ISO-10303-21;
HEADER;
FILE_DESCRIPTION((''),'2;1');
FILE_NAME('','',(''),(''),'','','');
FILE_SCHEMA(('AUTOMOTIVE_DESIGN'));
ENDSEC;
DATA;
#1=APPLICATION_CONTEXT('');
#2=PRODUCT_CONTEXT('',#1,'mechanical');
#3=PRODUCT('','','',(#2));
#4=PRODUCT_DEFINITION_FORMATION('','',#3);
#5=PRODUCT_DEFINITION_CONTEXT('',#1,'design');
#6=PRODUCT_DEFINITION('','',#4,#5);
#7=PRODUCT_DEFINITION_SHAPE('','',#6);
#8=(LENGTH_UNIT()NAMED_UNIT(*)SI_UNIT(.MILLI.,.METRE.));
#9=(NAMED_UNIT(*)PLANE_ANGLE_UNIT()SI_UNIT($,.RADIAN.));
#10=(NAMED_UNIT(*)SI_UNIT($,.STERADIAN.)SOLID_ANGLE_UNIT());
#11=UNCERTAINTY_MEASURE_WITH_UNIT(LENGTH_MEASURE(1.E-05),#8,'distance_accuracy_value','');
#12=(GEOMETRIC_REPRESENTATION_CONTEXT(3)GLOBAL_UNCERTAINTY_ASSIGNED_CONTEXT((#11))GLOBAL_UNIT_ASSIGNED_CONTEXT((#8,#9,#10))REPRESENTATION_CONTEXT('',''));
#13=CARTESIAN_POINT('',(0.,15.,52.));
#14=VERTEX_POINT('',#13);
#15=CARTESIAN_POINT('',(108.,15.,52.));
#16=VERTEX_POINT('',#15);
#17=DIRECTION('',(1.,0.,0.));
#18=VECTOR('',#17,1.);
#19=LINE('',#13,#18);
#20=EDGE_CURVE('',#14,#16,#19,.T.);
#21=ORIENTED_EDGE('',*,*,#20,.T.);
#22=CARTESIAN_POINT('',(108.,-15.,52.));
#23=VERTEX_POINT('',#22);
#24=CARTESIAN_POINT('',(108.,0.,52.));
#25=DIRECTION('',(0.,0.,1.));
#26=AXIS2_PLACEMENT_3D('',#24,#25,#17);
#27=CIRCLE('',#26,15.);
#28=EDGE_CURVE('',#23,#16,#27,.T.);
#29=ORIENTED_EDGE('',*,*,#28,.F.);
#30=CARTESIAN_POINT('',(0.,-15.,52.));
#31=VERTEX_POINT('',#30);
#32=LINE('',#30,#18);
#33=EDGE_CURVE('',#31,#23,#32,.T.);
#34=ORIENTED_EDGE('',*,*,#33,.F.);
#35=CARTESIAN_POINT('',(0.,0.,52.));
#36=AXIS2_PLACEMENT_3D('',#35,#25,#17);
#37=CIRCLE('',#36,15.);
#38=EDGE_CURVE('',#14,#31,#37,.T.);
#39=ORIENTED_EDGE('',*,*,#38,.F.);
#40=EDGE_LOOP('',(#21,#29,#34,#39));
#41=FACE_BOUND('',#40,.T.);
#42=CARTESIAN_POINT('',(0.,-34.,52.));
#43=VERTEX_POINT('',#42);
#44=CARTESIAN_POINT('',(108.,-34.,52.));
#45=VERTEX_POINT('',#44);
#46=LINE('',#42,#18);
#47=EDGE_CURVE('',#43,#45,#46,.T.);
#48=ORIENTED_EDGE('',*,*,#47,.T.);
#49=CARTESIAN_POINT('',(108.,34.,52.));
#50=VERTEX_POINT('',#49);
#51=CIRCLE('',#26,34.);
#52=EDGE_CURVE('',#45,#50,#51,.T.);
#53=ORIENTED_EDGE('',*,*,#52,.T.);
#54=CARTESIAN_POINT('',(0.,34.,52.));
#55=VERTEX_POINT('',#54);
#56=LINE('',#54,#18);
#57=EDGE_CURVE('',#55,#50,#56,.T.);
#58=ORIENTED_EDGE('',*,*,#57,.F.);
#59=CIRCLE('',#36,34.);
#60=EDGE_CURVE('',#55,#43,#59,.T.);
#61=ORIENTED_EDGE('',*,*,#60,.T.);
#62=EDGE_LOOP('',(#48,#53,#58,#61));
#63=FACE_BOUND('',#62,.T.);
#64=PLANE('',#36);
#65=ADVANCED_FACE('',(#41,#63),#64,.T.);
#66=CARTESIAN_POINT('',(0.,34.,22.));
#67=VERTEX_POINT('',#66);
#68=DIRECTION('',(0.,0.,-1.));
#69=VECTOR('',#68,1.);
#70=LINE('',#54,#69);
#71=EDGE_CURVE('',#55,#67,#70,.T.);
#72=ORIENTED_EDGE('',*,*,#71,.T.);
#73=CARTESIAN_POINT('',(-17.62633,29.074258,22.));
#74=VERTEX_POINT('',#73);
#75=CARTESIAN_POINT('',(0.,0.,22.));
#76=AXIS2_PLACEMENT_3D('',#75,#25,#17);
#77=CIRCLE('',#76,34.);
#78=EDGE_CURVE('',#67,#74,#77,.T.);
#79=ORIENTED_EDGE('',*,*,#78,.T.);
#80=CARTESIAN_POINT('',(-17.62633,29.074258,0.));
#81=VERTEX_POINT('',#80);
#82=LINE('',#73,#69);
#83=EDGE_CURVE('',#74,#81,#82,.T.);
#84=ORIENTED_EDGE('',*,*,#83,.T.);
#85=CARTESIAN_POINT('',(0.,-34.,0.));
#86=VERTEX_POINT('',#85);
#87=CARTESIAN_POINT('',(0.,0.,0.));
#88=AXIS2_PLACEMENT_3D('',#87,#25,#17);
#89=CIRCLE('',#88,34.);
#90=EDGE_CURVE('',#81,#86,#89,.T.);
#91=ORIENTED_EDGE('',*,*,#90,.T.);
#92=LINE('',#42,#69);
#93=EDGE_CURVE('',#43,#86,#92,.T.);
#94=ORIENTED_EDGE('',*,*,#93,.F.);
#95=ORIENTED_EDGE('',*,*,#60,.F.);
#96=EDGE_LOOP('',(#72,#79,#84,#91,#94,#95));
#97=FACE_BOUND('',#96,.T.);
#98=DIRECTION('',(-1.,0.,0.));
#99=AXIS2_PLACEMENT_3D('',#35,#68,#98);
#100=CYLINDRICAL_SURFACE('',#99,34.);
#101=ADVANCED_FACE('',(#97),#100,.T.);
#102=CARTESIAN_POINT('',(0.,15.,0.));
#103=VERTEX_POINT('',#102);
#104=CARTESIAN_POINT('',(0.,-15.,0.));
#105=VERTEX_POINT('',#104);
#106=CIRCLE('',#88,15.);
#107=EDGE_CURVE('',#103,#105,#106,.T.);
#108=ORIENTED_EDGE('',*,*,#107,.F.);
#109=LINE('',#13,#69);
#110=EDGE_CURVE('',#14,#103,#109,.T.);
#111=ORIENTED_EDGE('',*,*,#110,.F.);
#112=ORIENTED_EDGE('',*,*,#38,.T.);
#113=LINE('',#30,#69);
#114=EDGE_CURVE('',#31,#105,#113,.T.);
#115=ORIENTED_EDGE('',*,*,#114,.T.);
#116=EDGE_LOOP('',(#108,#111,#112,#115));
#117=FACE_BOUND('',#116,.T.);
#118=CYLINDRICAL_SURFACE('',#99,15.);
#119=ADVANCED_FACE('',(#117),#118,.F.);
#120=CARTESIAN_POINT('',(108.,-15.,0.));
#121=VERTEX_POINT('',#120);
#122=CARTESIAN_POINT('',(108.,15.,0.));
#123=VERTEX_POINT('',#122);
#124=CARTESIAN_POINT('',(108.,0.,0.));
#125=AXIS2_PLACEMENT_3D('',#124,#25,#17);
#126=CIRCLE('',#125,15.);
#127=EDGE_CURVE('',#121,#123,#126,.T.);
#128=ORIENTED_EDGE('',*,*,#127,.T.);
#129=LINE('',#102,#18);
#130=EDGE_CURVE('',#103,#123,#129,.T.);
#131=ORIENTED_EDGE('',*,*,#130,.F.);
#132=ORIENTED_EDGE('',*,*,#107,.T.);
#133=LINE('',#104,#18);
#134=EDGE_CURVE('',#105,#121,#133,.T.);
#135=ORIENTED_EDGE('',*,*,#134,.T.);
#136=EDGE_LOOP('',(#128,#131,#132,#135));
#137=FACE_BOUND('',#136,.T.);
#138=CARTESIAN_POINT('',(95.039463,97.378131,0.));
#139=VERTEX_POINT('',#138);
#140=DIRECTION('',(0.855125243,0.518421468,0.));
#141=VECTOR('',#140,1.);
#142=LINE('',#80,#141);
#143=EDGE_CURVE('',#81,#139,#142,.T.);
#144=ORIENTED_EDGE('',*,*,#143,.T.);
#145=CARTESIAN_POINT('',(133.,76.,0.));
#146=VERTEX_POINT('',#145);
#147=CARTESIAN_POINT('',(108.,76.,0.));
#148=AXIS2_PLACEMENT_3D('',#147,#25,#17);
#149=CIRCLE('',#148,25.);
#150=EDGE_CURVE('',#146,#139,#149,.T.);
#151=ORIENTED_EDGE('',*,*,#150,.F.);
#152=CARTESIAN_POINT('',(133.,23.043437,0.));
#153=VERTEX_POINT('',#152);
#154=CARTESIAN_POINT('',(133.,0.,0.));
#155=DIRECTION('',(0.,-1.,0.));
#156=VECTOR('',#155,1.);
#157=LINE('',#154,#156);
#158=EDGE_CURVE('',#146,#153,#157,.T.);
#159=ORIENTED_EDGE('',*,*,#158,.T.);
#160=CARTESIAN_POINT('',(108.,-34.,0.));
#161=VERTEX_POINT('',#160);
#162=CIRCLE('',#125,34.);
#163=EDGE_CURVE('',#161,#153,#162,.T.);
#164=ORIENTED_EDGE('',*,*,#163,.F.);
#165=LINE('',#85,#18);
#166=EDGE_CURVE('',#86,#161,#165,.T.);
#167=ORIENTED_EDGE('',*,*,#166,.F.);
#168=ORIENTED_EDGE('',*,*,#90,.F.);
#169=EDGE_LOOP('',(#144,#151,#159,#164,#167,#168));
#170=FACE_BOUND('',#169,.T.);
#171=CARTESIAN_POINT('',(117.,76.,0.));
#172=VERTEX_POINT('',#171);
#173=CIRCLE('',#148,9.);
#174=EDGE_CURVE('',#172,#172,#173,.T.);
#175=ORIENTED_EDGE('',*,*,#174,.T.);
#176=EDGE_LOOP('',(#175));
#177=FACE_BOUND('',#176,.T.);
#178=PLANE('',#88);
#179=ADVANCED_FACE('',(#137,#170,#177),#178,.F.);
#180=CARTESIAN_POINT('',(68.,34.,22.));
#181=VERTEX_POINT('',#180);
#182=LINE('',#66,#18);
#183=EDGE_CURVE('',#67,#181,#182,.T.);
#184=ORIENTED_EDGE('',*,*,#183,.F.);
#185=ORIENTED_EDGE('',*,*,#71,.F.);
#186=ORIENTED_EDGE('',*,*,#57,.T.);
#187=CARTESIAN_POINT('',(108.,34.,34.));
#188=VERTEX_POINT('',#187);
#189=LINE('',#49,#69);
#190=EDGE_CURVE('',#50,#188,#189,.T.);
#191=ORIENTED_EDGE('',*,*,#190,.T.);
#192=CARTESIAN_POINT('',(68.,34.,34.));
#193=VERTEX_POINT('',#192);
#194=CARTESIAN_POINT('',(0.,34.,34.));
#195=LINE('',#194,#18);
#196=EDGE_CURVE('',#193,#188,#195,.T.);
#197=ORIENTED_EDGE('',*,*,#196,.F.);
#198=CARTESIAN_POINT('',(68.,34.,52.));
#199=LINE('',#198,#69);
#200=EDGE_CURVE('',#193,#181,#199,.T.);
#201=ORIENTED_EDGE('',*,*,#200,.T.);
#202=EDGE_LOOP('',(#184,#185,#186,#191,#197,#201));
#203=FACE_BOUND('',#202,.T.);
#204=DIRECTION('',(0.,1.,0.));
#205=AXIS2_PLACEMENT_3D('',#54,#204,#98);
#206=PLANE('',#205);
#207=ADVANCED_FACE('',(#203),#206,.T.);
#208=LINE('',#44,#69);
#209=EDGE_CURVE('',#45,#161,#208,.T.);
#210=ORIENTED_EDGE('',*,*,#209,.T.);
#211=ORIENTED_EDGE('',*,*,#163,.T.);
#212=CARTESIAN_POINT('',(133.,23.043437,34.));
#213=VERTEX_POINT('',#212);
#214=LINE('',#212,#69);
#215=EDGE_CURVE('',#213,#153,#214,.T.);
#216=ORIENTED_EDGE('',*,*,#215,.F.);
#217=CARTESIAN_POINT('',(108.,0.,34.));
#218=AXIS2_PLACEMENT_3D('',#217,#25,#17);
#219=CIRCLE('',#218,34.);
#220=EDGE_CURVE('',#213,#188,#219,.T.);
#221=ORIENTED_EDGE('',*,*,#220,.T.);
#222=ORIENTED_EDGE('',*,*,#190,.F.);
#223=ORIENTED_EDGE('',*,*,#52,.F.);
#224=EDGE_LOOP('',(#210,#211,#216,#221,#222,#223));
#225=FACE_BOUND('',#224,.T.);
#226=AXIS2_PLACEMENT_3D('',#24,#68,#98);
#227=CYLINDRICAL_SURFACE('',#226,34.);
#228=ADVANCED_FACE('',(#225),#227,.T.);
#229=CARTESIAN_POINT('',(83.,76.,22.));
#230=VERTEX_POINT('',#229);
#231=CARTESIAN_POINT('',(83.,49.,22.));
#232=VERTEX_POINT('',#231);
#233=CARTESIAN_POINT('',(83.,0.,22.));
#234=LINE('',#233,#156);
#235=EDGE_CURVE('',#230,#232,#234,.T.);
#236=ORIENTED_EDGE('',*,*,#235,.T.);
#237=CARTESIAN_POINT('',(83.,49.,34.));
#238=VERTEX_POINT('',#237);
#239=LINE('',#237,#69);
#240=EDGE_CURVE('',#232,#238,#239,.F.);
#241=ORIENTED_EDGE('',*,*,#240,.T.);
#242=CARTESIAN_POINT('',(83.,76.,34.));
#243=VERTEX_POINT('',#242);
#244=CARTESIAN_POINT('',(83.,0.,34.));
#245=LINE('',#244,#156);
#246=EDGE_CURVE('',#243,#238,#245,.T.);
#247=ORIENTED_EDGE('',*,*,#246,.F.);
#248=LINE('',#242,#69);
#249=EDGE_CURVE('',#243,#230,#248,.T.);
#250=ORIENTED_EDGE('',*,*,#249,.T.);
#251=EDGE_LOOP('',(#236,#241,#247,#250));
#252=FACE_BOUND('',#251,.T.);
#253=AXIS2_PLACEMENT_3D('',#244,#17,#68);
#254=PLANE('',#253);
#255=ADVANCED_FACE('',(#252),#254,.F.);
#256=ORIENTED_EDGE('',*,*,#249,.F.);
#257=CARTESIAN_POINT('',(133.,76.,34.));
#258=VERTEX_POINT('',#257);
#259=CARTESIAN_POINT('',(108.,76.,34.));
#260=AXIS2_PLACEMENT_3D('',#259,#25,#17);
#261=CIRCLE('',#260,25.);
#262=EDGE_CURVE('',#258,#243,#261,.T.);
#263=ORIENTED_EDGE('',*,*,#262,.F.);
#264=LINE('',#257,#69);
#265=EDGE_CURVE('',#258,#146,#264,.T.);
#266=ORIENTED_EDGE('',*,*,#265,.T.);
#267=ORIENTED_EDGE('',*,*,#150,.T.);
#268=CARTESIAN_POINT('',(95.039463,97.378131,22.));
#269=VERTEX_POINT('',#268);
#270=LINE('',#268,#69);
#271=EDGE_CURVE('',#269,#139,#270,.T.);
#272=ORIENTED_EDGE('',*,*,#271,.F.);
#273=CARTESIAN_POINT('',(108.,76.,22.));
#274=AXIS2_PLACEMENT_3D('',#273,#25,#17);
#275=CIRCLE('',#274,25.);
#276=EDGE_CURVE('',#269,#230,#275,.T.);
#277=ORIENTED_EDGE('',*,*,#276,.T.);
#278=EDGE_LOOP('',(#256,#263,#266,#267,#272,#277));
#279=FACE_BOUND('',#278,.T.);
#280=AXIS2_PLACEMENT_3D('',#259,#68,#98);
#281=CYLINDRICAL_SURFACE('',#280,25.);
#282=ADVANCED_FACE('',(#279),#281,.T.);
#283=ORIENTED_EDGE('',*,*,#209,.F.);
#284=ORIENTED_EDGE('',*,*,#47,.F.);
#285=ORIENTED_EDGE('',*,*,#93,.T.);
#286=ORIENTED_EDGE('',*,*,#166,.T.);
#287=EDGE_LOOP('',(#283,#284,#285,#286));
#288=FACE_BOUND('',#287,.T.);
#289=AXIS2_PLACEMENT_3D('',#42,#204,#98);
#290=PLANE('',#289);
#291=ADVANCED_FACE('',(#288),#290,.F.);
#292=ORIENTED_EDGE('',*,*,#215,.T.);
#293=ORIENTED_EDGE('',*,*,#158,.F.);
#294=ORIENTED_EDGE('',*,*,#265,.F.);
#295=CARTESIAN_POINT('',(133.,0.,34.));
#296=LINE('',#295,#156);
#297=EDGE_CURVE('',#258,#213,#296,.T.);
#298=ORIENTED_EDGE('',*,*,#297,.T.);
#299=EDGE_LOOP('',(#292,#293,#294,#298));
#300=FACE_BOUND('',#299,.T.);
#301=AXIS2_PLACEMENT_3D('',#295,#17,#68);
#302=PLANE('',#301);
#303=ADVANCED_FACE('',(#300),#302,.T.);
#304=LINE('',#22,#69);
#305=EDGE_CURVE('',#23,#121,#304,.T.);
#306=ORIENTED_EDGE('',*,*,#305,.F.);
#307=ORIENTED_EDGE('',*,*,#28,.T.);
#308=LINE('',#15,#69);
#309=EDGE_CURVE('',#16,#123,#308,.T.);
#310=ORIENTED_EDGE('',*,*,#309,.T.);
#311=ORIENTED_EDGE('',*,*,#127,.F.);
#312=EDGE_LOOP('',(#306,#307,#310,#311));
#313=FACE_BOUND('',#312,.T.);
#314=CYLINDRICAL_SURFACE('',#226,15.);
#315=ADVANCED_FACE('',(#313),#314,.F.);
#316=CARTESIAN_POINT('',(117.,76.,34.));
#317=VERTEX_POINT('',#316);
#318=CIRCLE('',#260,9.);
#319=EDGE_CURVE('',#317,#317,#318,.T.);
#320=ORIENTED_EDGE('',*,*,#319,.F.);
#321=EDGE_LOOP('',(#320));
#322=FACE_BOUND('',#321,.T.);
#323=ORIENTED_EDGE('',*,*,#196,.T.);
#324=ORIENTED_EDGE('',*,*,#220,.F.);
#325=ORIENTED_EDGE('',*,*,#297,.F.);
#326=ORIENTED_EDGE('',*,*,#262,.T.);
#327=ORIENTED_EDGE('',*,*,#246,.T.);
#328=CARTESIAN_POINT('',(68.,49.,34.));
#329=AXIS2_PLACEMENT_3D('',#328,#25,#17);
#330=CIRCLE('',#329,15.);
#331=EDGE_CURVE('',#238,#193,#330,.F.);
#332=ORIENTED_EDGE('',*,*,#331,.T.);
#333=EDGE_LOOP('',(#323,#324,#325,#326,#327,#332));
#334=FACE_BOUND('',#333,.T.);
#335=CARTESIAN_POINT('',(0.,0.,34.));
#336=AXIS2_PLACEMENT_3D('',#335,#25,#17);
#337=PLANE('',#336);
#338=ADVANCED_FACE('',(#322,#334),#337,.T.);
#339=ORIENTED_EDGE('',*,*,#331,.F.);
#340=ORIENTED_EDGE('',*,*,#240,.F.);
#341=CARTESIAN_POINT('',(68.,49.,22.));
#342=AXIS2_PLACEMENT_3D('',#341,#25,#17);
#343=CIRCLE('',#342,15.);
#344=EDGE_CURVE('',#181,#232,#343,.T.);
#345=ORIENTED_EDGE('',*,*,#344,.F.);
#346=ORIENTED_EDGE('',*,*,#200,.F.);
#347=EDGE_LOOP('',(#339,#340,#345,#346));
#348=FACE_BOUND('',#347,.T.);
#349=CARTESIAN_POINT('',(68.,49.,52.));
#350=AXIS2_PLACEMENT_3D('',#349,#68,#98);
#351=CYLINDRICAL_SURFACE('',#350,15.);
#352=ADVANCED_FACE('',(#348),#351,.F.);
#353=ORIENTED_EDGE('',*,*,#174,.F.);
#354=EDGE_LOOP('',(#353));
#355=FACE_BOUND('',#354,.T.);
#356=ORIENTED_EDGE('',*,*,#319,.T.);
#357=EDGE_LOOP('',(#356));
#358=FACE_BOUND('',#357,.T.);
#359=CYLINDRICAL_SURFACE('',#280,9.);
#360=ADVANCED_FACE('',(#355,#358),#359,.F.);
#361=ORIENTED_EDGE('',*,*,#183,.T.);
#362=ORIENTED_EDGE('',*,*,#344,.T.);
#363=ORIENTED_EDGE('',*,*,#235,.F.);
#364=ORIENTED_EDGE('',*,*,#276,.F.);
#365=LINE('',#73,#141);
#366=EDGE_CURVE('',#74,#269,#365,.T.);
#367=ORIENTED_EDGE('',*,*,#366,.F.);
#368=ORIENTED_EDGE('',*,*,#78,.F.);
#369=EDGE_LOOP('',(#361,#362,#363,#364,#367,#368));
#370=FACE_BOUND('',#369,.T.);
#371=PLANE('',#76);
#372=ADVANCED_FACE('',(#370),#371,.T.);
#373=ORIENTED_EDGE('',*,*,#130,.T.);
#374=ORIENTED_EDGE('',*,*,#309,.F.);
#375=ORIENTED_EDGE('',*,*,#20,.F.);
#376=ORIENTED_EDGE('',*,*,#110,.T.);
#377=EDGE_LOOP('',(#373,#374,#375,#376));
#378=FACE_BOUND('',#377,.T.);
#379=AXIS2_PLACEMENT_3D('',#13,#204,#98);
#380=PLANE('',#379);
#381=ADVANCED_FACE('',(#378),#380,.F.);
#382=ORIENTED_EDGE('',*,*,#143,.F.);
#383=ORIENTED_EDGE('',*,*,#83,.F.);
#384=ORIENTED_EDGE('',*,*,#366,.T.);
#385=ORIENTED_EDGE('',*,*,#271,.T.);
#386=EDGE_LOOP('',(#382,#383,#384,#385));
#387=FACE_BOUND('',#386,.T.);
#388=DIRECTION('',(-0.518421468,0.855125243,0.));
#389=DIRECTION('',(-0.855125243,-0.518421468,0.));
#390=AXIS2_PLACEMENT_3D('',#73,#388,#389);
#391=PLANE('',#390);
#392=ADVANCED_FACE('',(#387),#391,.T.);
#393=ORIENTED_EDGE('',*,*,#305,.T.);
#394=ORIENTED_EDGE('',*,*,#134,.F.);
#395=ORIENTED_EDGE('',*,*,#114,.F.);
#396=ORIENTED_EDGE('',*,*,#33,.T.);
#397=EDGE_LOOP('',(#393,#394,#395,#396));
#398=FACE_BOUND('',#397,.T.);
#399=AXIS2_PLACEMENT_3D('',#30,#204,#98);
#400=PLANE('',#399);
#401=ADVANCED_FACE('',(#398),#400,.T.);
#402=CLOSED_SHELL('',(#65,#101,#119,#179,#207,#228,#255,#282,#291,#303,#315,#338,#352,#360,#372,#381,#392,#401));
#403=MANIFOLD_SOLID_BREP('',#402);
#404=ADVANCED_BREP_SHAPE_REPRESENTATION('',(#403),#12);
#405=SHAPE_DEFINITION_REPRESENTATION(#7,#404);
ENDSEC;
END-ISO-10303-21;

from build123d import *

# Parameters (mm, degrees)
BOSS_EXTRUDE1_DEPTH = 52
BOSS_EXTRUDE2_DEPTH = 22
SKETCH1_6_R         = 9
BOSS_EXTRUDE3_DEPTH = 34
FILLET1_R           = 15


with BuildPart() as part:
    # Sketch1 → Boss-Extrude1 (new body)
    with BuildSketch(Plane.XY):
        with BuildLine():
            Line((83, 34), (0, 34))
            ThreePointArc((0, 34), (-9.150825608, 32.745417858), (-17.626329898, 29.074258276))
            ThreePointArc((-17.626329898, 29.074258276), (-32.745417858, -9.150825608), (0, -34))
            Line((0, -34), (108, -34))
            ThreePointArc((108, -34), (139.140623519, -13.647767834), (133, 23.043437244))
            ThreePointArc((133, 23.043437244), (121.647767834, 31.140623519), (108, 34))
            Line((108, 34), (83, 34))
        make_face()
        with BuildLine():
            ThreePointArc((0, -15), (-15, 0), (0, 15))
            Line((0, 15), (108, 15))
            ThreePointArc((108, 15), (123, 0), (108, -15))
            Line((108, -15), (0, -15))
        make_face(mode=Mode.SUBTRACT)
    extrude(amount=BOSS_EXTRUDE1_DEPTH)

    # Sketch1<5> → Boss-Extrude2 (add)
    with BuildSketch(Plane.XY):
        with BuildLine():
            ThreePointArc((-17.626329898, 29.074258276), (-9.150825608, 32.745417858), (0, 34))
            Line((0, 34), (83, 34))
            Line((83, 34), (83, 76))
            ThreePointArc((83, 76), (86.216825102, 88.26757072), (95.03946331, 97.378131086))
            Line((95.03946331, 97.378131086), (-17.626329898, 29.074258276))
        make_face()
    extrude(amount=BOSS_EXTRUDE2_DEPTH)

    # Sketch1<6> → Boss-Extrude3 (add)
    with BuildSketch(Plane.XY):
        with BuildLine():
            Line((83, 76), (83, 34))
            Line((83, 34), (108, 34))
            ThreePointArc((108, 34), (121.647767834, 31.140623519), (133, 23.043437244))
            Line((133, 23.043437244), (133, 76))
            ThreePointArc((133, 76), (120.26757072, 97.783174898), (95.03946331, 97.378131086))
            ThreePointArc((95.03946331, 97.378131086), (86.216825102, 88.26757072), (83, 76))
        make_face()
        with Locations((108, 76)):
            Circle(SKETCH1_6_R, mode=Mode.SUBTRACT)
    extrude(amount=BOSS_EXTRUDE3_DEPTH)

    # Fillet1
    fillet1_edges = [part.edges().sort_by_distance(p)[0] for p in [
        (83, 34, 28),
    ]]
    fillet(fillet1_edges, radius=FILLET1_R)


solid = part.part
